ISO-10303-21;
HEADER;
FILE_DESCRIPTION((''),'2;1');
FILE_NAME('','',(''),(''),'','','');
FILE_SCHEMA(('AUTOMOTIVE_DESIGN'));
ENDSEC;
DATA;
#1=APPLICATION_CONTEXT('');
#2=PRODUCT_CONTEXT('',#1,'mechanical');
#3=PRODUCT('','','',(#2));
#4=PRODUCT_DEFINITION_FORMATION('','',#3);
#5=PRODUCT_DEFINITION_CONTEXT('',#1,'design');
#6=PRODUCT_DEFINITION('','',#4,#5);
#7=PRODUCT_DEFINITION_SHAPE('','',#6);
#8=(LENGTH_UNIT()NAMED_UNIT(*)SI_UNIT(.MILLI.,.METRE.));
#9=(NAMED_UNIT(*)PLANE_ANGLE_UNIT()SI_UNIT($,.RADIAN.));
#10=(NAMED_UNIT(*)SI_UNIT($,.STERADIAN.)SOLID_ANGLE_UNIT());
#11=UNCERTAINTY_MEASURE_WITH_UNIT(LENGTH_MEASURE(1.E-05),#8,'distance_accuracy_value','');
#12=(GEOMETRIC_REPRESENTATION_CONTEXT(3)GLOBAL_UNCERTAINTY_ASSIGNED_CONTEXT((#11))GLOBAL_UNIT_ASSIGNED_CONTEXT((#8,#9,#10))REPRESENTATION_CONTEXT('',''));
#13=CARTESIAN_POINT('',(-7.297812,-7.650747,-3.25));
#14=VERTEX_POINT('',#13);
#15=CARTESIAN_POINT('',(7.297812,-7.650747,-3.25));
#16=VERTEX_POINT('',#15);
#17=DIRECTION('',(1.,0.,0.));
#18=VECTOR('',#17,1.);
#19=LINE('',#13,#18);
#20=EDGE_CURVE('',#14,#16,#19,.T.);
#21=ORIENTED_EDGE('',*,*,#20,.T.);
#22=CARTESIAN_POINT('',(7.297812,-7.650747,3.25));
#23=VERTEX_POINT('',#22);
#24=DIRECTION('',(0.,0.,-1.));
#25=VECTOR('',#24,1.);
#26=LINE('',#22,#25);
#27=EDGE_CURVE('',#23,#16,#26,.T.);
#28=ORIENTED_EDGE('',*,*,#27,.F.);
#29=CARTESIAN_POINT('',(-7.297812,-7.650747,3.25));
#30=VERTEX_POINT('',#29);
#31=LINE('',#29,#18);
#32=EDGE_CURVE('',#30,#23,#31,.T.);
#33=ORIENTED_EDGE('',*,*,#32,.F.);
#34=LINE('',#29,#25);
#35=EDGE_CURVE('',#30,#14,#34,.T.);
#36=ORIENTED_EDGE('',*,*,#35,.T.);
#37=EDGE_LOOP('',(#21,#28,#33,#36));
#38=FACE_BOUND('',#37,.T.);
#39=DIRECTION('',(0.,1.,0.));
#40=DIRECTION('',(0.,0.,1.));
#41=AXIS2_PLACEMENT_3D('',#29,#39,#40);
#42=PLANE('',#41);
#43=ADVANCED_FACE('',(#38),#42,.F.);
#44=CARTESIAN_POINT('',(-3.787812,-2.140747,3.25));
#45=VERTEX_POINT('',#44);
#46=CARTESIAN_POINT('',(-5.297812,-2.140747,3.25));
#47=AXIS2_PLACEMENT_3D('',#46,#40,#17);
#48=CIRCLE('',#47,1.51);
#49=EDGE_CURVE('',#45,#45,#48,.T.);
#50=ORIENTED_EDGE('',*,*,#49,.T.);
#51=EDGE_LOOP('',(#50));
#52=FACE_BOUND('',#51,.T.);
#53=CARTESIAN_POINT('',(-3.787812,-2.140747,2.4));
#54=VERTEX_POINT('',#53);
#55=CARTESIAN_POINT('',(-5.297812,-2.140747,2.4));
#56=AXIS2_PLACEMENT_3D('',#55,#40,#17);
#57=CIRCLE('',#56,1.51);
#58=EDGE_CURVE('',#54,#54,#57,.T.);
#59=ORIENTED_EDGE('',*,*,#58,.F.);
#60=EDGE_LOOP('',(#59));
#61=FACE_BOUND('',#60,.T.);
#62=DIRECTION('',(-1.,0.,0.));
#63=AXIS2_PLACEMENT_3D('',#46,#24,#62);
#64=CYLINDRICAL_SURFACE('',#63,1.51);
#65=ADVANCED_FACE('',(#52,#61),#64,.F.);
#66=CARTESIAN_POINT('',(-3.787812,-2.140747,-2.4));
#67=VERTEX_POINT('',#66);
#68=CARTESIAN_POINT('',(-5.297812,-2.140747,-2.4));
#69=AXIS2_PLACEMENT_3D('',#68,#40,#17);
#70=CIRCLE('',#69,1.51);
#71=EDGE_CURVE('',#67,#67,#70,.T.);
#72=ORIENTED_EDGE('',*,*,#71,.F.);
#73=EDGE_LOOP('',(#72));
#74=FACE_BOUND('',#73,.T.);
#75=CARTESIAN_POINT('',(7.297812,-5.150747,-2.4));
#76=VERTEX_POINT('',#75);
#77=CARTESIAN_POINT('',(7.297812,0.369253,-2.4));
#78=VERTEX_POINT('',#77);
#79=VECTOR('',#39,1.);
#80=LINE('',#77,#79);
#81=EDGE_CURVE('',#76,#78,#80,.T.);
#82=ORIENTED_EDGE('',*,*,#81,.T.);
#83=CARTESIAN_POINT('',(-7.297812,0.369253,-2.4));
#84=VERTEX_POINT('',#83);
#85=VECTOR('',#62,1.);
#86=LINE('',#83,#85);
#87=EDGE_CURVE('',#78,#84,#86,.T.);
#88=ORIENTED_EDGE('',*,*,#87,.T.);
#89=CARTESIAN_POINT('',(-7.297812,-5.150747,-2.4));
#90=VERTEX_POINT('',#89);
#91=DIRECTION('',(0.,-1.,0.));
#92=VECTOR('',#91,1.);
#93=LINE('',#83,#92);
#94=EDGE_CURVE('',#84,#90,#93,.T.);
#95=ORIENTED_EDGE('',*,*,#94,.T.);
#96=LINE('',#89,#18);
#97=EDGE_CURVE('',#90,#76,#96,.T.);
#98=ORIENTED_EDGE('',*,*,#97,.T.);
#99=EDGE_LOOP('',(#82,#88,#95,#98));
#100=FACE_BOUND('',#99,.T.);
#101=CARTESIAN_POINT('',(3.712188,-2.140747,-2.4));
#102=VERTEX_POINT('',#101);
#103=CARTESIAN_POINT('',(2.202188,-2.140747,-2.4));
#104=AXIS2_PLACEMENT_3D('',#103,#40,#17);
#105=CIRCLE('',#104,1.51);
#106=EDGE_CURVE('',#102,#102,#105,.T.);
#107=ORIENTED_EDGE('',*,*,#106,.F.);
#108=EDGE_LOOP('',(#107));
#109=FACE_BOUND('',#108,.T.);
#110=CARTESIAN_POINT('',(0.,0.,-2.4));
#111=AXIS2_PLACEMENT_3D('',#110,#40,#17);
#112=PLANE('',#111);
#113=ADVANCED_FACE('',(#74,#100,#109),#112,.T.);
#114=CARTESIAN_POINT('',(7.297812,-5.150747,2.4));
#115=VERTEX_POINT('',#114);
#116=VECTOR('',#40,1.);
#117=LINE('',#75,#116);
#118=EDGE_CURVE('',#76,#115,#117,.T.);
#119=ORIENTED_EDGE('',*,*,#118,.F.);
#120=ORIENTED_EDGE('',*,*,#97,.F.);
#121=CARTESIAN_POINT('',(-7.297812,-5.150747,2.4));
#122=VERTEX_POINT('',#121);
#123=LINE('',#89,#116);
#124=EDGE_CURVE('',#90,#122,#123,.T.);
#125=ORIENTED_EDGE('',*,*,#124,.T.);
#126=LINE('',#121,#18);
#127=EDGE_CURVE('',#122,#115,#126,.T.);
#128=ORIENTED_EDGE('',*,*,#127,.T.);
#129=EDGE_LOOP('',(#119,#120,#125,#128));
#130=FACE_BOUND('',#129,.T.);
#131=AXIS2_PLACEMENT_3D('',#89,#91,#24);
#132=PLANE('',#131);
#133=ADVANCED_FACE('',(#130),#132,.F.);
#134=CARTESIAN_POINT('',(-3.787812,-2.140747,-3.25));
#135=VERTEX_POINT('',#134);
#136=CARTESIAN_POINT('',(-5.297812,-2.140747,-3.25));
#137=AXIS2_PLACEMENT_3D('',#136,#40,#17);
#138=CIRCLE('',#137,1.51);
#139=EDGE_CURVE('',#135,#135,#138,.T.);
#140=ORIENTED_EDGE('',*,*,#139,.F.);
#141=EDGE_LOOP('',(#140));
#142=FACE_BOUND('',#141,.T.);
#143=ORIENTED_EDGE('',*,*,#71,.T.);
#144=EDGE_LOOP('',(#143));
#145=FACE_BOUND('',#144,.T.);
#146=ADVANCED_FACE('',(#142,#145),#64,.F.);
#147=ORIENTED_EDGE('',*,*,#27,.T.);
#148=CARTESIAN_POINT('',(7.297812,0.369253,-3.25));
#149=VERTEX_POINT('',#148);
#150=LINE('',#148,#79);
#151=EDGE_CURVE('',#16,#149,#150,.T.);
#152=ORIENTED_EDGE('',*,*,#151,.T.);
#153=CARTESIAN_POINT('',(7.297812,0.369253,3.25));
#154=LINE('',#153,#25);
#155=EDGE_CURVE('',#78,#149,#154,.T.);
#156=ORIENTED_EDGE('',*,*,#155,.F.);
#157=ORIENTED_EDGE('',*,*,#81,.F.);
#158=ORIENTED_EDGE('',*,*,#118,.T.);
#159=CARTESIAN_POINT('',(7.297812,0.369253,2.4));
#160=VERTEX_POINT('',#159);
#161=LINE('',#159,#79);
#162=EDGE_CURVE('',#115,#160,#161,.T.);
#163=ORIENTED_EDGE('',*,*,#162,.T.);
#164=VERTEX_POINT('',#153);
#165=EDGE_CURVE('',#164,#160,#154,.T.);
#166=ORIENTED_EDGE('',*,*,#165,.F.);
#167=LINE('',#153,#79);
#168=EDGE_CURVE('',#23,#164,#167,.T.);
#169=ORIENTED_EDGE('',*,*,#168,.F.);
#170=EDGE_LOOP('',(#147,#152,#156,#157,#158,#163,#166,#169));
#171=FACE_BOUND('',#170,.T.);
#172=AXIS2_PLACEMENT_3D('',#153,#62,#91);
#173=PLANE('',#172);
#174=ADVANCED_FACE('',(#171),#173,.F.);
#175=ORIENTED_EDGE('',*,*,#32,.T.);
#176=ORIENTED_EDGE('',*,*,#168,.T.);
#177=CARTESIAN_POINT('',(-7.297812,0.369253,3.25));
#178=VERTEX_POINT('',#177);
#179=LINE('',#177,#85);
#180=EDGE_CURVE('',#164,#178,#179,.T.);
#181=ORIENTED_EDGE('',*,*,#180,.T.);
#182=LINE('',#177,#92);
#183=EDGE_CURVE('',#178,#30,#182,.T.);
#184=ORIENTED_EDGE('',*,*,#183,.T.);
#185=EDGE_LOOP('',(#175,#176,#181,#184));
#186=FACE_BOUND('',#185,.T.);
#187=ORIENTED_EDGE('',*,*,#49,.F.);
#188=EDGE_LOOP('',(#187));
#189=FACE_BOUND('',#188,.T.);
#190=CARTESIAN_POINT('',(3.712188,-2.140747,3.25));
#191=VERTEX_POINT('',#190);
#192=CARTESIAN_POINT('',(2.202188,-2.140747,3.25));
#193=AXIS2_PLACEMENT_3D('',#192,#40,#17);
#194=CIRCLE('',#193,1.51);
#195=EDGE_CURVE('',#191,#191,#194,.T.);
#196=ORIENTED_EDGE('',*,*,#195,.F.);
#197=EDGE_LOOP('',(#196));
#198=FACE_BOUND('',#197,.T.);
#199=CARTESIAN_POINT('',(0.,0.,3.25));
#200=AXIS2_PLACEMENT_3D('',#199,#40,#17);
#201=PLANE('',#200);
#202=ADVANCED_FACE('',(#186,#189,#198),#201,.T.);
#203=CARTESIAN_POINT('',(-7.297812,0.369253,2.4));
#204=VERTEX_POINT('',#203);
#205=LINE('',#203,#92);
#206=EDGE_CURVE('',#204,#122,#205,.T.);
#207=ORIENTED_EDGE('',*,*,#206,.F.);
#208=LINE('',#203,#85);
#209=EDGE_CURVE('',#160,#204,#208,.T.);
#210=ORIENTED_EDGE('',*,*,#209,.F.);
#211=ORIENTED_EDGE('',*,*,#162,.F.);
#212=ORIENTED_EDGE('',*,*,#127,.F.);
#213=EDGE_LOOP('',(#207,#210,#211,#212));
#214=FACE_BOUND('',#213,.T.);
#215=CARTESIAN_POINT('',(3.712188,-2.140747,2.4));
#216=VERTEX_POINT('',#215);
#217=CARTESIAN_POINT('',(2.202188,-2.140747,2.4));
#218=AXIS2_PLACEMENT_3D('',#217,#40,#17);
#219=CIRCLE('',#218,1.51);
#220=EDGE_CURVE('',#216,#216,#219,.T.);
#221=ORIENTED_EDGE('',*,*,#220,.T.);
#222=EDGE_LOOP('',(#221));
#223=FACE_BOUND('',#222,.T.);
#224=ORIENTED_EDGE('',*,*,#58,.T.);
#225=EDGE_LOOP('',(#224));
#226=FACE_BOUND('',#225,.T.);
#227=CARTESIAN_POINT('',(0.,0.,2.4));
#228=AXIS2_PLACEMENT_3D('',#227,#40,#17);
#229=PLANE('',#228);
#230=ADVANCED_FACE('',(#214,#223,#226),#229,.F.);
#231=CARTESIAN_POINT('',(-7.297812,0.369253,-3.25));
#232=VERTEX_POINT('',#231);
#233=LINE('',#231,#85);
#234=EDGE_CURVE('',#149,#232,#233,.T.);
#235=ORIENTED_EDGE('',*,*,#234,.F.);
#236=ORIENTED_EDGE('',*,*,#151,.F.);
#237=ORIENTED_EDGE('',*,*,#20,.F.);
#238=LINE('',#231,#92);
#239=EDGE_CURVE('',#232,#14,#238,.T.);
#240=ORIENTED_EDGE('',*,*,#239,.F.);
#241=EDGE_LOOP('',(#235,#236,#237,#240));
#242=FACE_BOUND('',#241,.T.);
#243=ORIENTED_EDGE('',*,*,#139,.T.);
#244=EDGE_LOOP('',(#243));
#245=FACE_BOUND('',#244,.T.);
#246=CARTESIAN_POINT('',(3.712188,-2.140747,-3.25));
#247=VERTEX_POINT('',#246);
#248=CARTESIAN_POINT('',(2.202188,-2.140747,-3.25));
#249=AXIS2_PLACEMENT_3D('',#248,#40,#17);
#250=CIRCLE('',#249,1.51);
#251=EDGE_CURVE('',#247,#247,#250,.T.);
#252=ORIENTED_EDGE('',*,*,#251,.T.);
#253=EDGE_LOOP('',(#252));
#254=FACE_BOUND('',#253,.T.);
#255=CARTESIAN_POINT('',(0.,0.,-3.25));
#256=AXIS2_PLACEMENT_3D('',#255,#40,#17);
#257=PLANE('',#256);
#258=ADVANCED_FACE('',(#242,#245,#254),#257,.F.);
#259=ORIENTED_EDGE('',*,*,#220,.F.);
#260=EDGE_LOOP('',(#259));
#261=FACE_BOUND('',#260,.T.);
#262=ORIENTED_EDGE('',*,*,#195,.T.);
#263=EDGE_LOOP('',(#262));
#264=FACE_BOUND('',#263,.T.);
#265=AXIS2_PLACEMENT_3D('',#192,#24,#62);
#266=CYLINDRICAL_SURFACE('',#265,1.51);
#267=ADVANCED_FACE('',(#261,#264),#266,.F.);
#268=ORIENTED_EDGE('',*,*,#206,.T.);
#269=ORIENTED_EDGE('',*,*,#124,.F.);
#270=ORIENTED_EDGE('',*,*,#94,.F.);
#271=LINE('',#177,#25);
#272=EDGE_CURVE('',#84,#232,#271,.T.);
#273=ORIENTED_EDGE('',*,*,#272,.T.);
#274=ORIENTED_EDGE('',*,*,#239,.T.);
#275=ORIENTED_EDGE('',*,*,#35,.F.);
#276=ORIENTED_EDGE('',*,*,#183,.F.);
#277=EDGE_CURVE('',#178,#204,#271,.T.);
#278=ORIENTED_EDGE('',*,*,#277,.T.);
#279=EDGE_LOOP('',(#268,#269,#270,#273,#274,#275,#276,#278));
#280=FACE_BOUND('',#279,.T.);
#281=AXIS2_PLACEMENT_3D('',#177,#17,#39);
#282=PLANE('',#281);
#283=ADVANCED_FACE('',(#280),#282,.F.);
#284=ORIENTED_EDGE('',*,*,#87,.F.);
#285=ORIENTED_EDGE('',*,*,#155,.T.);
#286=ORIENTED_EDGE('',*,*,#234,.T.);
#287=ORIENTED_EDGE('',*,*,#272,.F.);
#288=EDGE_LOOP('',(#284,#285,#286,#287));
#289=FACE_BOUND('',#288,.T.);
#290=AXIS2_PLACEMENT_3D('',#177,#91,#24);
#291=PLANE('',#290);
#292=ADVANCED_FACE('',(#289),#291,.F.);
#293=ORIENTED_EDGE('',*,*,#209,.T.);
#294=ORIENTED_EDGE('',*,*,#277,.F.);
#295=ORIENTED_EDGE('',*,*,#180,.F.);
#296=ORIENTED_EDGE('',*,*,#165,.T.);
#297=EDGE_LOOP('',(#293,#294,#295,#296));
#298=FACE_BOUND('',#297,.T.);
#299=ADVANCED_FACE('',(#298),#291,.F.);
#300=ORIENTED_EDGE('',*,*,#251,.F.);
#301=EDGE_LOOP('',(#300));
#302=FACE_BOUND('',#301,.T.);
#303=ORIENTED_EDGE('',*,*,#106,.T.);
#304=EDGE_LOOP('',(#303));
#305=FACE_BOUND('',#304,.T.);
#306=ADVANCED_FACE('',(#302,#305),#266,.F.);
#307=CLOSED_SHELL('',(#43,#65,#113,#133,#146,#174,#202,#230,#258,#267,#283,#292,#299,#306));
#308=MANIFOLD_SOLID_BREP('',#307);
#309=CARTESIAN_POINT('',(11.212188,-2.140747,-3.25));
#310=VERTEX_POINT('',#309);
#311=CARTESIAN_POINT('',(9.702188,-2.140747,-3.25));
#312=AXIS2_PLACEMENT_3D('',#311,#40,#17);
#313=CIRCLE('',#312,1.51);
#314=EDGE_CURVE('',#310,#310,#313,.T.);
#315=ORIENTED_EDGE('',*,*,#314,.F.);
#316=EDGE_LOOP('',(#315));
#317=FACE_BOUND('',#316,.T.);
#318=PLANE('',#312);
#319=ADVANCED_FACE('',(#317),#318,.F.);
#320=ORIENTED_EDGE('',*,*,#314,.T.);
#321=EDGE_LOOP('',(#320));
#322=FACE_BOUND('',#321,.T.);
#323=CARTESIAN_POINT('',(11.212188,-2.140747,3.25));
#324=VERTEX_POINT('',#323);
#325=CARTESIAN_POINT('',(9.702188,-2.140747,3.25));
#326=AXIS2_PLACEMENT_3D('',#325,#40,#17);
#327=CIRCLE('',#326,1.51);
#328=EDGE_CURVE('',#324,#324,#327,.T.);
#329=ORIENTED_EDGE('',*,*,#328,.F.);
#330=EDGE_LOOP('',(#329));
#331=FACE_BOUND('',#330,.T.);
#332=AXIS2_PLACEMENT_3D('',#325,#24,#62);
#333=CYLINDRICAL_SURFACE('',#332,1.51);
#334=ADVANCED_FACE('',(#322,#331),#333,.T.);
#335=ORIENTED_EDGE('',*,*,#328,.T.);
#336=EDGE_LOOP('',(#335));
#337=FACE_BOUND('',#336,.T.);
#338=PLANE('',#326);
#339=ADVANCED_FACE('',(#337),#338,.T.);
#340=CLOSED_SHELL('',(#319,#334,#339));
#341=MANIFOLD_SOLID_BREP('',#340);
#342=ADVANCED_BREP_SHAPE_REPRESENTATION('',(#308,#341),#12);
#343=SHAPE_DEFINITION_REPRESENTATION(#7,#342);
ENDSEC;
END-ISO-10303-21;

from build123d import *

# Parameters (mm, degrees)
SKETCH2_R             = 1.51
BOSS_EXTRUDE2_DEPTH   = 3.25
SKETCH2_W             = 14.59562339
SKETCH2_H             = 8.02
BOSS_EXTRUDE2_2_DEPTH = 3.25
SKETCH3_W             = 14.59562339
SKETCH3_H             = 5.52
CUT_EXTRUDE4_DEPTH    = 2.4


with BuildPart() as part:
    # Sketch2 → Boss-Extrude2 (new body, symmetric)
    with BuildSketch(Plane.XY):
        with Locations((9.702188305, -2.140747254)):
            Circle(SKETCH2_R)
    extrude(amount=BOSS_EXTRUDE2_DEPTH, both=True)


with BuildPart() as body_2:
    # Sketch2 → Boss-Extrude2 2 (new body, symmetric)
    with BuildSketch(Plane.XY):
        with Locations((0, -3.640747254)):
            Rectangle(SKETCH2_W, SKETCH2_H)
        with Locations((-5.297811695, -2.140747254)):
            Circle(SKETCH2_R, mode=Mode.SUBTRACT)
        with Locations((2.202188305, -2.140747254)):
            Circle(SKETCH2_R, mode=Mode.SUBTRACT)
    extrude(amount=BOSS_EXTRUDE2_2_DEPTH, both=True)

    # Sketch3 → Cut-Extrude4 (cut, symmetric)
    with BuildSketch(Plane.XY):
        with Locations((0, -2.390747254)):
            Rectangle(SKETCH3_W, SKETCH3_H)
    extrude(amount=CUT_EXTRUDE4_DEPTH, both=True, mode=Mode.SUBTRACT)


solid = Compound([part.part, body_2.part])
